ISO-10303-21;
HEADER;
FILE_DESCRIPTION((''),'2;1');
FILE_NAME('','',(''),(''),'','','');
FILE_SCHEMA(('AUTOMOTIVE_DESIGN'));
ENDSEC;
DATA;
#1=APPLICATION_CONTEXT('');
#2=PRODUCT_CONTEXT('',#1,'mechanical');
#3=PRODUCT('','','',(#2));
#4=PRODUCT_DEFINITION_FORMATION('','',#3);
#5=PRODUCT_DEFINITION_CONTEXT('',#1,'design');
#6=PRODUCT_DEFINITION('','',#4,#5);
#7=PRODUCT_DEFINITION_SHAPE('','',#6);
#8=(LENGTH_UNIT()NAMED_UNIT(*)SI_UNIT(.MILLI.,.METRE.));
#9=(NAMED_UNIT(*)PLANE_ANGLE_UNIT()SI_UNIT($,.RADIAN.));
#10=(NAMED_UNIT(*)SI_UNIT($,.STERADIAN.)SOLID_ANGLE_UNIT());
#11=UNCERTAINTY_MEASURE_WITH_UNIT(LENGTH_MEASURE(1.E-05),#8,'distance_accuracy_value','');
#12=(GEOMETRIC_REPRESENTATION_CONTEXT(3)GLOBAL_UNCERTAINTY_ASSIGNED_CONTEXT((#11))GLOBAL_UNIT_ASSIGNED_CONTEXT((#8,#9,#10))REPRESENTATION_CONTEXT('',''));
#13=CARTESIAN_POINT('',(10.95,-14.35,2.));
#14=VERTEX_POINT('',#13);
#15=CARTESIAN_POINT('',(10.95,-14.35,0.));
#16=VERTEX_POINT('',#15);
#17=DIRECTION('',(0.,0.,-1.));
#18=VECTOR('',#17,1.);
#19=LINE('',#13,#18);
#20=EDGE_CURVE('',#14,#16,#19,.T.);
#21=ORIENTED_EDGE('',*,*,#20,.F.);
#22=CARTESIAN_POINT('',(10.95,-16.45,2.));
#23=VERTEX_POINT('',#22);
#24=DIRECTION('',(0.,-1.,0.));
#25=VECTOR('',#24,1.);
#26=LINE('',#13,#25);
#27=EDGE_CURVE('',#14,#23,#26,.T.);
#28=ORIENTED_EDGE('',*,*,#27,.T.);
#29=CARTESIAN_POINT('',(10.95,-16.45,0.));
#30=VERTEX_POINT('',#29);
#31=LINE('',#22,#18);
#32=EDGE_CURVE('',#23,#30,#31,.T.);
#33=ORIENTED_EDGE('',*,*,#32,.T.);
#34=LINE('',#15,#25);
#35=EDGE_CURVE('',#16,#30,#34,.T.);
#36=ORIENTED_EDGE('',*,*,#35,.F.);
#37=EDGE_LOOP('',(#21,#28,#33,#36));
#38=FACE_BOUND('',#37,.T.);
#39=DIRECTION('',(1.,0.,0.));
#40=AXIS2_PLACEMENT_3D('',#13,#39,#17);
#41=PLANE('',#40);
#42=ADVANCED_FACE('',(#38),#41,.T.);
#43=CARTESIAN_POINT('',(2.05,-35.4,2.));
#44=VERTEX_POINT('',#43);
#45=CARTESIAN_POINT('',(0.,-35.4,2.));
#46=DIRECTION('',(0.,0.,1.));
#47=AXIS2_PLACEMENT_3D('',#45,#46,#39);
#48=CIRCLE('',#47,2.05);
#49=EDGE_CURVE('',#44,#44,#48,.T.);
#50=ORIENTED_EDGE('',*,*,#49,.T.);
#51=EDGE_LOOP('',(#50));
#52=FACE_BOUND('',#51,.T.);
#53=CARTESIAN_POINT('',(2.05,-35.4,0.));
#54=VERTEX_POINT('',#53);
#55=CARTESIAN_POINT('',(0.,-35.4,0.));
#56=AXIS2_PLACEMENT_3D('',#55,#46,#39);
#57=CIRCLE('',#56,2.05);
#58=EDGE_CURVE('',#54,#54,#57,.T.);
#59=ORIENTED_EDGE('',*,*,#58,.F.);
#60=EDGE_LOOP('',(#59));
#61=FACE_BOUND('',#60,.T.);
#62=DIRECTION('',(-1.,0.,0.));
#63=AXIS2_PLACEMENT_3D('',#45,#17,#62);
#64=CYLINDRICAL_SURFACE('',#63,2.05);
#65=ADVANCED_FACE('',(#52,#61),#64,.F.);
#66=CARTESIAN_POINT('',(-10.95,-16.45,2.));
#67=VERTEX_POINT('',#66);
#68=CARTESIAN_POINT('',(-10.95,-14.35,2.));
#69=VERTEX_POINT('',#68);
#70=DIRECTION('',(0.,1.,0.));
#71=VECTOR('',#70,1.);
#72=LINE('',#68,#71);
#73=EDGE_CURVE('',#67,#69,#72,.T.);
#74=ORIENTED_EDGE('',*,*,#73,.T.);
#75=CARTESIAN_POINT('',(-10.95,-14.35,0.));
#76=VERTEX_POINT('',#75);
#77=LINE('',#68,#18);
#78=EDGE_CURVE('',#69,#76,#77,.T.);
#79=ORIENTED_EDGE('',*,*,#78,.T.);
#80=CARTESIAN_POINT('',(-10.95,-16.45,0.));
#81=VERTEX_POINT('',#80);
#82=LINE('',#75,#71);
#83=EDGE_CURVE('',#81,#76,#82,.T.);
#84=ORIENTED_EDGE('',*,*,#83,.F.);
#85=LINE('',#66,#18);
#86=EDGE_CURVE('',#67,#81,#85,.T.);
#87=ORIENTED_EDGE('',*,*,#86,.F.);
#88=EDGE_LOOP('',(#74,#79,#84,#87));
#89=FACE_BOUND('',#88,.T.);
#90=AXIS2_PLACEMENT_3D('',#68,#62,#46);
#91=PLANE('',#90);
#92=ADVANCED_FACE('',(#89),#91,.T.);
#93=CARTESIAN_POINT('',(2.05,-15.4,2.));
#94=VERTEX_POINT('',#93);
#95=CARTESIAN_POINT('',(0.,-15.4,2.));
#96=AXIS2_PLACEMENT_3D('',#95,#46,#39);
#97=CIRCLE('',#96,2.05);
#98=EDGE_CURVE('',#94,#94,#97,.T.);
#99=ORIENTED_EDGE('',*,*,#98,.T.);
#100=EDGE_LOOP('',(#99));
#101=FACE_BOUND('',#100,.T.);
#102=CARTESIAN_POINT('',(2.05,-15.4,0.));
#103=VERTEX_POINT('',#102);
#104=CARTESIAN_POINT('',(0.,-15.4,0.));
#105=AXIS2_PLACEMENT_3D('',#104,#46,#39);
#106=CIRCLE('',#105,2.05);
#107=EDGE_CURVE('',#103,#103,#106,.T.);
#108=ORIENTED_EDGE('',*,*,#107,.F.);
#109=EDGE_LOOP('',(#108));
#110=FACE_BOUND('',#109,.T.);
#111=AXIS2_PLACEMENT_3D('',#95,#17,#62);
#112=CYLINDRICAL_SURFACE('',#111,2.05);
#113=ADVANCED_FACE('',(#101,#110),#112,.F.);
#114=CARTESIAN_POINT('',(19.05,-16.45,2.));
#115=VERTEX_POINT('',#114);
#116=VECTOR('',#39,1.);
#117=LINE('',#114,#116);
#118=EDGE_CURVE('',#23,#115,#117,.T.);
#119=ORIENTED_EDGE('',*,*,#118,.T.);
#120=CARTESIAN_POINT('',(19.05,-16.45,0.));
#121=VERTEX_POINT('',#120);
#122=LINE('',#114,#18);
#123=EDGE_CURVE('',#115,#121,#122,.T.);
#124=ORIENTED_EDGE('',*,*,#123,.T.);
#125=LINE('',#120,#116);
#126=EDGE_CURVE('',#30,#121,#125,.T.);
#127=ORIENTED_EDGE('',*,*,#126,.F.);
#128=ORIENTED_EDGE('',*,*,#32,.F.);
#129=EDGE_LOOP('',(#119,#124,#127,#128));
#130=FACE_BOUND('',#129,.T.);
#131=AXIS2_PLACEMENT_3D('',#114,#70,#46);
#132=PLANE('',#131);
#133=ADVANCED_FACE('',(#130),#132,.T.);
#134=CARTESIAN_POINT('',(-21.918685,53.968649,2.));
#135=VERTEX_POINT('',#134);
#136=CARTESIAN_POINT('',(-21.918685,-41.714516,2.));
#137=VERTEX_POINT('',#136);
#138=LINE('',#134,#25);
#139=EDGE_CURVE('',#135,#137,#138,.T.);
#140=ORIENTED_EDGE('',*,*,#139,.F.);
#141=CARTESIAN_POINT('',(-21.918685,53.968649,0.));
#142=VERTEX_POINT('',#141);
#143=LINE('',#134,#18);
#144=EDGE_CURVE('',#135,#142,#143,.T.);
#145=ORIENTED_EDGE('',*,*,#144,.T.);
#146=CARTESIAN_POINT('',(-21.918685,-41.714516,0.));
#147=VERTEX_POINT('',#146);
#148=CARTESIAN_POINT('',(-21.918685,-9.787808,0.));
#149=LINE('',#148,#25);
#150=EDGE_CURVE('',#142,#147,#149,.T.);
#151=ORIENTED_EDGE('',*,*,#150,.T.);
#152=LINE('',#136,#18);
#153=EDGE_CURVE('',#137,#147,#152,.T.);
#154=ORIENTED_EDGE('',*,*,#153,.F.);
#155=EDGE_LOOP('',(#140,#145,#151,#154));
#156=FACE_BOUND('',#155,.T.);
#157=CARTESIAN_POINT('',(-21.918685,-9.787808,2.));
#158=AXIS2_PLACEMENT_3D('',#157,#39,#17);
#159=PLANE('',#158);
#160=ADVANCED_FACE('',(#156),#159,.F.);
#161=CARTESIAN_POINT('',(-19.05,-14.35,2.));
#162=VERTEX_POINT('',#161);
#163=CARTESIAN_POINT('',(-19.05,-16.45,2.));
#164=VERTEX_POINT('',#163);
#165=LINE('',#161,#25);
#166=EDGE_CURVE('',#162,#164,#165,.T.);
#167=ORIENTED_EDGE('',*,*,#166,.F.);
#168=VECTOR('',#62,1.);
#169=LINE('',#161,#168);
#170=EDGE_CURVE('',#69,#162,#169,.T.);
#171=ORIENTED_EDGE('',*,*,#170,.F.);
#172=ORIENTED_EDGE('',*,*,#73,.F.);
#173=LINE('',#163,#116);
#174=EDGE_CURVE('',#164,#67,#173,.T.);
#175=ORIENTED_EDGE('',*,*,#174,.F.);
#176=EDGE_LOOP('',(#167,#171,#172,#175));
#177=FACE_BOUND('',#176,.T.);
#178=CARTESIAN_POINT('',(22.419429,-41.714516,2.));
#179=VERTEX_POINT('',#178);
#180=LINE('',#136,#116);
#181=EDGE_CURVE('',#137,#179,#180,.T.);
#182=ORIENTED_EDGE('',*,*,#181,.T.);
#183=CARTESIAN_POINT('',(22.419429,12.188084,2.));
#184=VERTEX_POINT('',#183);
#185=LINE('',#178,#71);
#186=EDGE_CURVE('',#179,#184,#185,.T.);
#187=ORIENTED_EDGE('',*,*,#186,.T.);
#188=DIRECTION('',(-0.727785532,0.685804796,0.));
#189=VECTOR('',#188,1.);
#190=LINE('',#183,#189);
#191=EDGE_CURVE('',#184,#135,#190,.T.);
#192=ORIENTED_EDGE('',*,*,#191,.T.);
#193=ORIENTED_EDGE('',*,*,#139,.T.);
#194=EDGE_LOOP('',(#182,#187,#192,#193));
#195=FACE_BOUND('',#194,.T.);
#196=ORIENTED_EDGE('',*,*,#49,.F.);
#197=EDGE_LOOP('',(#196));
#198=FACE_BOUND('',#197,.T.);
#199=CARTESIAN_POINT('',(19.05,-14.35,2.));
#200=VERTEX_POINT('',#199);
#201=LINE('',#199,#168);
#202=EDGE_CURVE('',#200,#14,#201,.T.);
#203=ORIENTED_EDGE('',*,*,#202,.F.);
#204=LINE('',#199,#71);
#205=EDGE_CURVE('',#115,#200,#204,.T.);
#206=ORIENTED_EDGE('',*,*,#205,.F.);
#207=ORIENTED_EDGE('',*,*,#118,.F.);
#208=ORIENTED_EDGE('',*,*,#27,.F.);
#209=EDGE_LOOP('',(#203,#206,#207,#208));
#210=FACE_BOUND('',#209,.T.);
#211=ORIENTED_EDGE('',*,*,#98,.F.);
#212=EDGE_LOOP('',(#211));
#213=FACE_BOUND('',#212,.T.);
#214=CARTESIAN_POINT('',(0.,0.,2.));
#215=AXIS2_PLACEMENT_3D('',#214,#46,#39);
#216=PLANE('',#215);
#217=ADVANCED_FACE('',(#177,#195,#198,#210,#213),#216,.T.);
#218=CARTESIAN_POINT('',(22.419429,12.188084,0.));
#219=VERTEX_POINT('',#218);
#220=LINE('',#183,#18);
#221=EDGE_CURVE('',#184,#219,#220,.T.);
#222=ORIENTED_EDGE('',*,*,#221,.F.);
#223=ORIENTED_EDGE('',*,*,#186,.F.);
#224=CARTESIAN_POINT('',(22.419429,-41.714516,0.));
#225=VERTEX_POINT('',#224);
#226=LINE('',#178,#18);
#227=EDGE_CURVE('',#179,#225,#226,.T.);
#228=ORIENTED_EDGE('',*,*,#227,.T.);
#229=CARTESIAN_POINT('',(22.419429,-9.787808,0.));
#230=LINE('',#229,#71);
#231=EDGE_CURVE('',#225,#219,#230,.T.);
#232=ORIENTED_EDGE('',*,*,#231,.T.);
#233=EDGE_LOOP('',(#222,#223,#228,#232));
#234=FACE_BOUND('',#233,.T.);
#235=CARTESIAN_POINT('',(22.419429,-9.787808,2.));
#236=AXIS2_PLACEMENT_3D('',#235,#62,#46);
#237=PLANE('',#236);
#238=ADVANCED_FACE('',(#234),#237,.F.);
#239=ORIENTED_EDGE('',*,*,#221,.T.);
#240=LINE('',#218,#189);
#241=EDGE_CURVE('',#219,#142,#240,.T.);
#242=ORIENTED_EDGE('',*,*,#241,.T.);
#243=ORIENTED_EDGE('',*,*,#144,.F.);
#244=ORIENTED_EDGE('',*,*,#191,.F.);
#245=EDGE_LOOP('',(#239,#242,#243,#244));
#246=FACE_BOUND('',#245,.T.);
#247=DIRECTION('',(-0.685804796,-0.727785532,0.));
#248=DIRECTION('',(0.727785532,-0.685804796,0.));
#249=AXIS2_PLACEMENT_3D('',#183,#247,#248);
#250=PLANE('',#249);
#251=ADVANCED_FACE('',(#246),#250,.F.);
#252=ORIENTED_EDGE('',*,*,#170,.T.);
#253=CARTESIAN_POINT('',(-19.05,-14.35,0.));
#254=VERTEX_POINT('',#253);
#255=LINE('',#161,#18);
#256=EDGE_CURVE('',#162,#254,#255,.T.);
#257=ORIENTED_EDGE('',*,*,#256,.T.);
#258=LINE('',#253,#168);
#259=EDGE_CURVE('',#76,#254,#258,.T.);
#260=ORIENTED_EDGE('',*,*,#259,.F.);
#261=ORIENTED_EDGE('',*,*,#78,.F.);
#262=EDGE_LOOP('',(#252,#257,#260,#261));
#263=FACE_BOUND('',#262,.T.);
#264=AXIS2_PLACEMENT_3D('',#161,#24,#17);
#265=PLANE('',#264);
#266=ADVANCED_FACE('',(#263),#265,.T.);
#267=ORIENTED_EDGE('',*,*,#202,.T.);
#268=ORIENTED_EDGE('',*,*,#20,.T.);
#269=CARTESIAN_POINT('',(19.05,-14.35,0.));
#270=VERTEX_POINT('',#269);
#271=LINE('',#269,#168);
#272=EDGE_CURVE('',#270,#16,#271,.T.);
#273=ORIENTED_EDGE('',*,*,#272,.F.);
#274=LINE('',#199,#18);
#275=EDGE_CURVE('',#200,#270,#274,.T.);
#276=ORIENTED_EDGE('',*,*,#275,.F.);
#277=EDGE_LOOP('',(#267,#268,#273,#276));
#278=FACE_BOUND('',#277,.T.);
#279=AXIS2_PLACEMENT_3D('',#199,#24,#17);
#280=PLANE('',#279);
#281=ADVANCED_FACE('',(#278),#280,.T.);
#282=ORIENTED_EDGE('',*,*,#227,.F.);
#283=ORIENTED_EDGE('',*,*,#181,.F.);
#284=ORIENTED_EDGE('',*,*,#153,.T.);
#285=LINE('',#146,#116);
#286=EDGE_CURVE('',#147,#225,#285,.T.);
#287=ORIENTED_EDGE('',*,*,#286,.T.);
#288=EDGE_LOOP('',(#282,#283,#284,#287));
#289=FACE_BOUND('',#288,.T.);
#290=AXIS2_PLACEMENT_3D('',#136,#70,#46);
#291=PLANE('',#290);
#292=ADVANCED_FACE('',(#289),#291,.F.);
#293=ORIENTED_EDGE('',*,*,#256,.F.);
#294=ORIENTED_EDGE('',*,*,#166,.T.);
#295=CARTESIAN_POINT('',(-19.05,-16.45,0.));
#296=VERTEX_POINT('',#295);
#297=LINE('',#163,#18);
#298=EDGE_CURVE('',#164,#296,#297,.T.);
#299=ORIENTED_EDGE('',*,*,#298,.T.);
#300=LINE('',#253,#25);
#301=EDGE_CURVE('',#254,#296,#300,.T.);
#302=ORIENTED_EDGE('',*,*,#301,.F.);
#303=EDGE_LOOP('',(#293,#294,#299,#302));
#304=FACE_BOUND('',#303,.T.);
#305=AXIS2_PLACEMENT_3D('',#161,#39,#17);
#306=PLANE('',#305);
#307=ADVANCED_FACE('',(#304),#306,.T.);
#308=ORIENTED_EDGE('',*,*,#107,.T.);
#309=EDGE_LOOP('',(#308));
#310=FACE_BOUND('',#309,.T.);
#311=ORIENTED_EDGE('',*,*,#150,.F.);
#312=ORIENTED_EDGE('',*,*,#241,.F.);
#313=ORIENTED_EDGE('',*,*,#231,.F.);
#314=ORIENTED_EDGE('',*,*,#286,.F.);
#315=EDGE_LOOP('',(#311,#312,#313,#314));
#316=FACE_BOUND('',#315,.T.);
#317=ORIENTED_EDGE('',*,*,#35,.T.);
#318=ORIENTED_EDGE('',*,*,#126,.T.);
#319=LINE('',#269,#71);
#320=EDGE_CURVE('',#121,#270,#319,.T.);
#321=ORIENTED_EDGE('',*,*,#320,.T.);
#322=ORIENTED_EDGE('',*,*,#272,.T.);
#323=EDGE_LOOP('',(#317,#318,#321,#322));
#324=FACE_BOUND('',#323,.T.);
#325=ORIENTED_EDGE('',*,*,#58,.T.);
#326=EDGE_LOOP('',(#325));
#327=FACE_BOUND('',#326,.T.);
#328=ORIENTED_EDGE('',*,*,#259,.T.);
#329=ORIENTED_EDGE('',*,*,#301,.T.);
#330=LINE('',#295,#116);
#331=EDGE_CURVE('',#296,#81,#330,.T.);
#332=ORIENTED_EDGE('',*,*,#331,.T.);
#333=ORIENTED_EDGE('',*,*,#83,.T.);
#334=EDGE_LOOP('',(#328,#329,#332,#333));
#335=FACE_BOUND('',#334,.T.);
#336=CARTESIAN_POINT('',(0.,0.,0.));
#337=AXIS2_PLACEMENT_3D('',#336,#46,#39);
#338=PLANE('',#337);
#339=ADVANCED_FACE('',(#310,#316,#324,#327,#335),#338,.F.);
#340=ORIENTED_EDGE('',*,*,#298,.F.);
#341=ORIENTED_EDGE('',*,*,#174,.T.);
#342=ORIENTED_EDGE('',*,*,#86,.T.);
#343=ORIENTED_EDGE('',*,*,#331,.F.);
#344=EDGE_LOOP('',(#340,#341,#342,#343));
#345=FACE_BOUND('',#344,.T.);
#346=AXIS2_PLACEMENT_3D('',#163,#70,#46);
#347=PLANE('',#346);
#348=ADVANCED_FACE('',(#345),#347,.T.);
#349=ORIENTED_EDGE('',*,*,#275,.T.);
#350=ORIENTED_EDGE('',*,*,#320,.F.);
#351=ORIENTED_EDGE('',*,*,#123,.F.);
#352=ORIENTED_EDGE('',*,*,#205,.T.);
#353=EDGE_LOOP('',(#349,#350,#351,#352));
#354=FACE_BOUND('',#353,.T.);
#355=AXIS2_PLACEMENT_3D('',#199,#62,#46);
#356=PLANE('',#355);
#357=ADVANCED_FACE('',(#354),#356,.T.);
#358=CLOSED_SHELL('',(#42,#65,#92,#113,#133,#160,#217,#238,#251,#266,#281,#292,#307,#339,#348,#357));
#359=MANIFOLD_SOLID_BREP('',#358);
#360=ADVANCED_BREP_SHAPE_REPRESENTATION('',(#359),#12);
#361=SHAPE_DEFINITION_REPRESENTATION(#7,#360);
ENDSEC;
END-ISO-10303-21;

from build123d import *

# Parameters (mm, degrees)
SKETCH_1_R      = 2.05
SKETCH_1_W      = 8.1
SKETCH_1_H      = 2.1
EXTRUDE_1_DEPTH = 2


with BuildPart() as part:
    # 草图1 → 凸台-拉伸1 (new body)
    with BuildSketch(Plane.XY):
        Polygon((-21.91868524, -9.787808432), (-21.91868524, -41.714516484), (22.419428501, -41.714516484), (22.419428501, -9.787808432), (22.419428501, 12.188083696), (-21.91868524, 53.968649146), align=None)
        with Locations((0, -35.4)):
            Circle(SKETCH_1_R, mode=Mode.SUBTRACT)
        with Locations((0, -15.4)):
            Circle(SKETCH_1_R, mode=Mode.SUBTRACT)
        with Locations((-15, -15.4)):
            Rectangle(SKETCH_1_W, SKETCH_1_H, mode=Mode.SUBTRACT)
        with Locations((15, -15.4)):
            Rectangle(SKETCH_1_W, SKETCH_1_H, mode=Mode.SUBTRACT)
    extrude(amount=EXTRUDE_1_DEPTH)


solid = part.part
